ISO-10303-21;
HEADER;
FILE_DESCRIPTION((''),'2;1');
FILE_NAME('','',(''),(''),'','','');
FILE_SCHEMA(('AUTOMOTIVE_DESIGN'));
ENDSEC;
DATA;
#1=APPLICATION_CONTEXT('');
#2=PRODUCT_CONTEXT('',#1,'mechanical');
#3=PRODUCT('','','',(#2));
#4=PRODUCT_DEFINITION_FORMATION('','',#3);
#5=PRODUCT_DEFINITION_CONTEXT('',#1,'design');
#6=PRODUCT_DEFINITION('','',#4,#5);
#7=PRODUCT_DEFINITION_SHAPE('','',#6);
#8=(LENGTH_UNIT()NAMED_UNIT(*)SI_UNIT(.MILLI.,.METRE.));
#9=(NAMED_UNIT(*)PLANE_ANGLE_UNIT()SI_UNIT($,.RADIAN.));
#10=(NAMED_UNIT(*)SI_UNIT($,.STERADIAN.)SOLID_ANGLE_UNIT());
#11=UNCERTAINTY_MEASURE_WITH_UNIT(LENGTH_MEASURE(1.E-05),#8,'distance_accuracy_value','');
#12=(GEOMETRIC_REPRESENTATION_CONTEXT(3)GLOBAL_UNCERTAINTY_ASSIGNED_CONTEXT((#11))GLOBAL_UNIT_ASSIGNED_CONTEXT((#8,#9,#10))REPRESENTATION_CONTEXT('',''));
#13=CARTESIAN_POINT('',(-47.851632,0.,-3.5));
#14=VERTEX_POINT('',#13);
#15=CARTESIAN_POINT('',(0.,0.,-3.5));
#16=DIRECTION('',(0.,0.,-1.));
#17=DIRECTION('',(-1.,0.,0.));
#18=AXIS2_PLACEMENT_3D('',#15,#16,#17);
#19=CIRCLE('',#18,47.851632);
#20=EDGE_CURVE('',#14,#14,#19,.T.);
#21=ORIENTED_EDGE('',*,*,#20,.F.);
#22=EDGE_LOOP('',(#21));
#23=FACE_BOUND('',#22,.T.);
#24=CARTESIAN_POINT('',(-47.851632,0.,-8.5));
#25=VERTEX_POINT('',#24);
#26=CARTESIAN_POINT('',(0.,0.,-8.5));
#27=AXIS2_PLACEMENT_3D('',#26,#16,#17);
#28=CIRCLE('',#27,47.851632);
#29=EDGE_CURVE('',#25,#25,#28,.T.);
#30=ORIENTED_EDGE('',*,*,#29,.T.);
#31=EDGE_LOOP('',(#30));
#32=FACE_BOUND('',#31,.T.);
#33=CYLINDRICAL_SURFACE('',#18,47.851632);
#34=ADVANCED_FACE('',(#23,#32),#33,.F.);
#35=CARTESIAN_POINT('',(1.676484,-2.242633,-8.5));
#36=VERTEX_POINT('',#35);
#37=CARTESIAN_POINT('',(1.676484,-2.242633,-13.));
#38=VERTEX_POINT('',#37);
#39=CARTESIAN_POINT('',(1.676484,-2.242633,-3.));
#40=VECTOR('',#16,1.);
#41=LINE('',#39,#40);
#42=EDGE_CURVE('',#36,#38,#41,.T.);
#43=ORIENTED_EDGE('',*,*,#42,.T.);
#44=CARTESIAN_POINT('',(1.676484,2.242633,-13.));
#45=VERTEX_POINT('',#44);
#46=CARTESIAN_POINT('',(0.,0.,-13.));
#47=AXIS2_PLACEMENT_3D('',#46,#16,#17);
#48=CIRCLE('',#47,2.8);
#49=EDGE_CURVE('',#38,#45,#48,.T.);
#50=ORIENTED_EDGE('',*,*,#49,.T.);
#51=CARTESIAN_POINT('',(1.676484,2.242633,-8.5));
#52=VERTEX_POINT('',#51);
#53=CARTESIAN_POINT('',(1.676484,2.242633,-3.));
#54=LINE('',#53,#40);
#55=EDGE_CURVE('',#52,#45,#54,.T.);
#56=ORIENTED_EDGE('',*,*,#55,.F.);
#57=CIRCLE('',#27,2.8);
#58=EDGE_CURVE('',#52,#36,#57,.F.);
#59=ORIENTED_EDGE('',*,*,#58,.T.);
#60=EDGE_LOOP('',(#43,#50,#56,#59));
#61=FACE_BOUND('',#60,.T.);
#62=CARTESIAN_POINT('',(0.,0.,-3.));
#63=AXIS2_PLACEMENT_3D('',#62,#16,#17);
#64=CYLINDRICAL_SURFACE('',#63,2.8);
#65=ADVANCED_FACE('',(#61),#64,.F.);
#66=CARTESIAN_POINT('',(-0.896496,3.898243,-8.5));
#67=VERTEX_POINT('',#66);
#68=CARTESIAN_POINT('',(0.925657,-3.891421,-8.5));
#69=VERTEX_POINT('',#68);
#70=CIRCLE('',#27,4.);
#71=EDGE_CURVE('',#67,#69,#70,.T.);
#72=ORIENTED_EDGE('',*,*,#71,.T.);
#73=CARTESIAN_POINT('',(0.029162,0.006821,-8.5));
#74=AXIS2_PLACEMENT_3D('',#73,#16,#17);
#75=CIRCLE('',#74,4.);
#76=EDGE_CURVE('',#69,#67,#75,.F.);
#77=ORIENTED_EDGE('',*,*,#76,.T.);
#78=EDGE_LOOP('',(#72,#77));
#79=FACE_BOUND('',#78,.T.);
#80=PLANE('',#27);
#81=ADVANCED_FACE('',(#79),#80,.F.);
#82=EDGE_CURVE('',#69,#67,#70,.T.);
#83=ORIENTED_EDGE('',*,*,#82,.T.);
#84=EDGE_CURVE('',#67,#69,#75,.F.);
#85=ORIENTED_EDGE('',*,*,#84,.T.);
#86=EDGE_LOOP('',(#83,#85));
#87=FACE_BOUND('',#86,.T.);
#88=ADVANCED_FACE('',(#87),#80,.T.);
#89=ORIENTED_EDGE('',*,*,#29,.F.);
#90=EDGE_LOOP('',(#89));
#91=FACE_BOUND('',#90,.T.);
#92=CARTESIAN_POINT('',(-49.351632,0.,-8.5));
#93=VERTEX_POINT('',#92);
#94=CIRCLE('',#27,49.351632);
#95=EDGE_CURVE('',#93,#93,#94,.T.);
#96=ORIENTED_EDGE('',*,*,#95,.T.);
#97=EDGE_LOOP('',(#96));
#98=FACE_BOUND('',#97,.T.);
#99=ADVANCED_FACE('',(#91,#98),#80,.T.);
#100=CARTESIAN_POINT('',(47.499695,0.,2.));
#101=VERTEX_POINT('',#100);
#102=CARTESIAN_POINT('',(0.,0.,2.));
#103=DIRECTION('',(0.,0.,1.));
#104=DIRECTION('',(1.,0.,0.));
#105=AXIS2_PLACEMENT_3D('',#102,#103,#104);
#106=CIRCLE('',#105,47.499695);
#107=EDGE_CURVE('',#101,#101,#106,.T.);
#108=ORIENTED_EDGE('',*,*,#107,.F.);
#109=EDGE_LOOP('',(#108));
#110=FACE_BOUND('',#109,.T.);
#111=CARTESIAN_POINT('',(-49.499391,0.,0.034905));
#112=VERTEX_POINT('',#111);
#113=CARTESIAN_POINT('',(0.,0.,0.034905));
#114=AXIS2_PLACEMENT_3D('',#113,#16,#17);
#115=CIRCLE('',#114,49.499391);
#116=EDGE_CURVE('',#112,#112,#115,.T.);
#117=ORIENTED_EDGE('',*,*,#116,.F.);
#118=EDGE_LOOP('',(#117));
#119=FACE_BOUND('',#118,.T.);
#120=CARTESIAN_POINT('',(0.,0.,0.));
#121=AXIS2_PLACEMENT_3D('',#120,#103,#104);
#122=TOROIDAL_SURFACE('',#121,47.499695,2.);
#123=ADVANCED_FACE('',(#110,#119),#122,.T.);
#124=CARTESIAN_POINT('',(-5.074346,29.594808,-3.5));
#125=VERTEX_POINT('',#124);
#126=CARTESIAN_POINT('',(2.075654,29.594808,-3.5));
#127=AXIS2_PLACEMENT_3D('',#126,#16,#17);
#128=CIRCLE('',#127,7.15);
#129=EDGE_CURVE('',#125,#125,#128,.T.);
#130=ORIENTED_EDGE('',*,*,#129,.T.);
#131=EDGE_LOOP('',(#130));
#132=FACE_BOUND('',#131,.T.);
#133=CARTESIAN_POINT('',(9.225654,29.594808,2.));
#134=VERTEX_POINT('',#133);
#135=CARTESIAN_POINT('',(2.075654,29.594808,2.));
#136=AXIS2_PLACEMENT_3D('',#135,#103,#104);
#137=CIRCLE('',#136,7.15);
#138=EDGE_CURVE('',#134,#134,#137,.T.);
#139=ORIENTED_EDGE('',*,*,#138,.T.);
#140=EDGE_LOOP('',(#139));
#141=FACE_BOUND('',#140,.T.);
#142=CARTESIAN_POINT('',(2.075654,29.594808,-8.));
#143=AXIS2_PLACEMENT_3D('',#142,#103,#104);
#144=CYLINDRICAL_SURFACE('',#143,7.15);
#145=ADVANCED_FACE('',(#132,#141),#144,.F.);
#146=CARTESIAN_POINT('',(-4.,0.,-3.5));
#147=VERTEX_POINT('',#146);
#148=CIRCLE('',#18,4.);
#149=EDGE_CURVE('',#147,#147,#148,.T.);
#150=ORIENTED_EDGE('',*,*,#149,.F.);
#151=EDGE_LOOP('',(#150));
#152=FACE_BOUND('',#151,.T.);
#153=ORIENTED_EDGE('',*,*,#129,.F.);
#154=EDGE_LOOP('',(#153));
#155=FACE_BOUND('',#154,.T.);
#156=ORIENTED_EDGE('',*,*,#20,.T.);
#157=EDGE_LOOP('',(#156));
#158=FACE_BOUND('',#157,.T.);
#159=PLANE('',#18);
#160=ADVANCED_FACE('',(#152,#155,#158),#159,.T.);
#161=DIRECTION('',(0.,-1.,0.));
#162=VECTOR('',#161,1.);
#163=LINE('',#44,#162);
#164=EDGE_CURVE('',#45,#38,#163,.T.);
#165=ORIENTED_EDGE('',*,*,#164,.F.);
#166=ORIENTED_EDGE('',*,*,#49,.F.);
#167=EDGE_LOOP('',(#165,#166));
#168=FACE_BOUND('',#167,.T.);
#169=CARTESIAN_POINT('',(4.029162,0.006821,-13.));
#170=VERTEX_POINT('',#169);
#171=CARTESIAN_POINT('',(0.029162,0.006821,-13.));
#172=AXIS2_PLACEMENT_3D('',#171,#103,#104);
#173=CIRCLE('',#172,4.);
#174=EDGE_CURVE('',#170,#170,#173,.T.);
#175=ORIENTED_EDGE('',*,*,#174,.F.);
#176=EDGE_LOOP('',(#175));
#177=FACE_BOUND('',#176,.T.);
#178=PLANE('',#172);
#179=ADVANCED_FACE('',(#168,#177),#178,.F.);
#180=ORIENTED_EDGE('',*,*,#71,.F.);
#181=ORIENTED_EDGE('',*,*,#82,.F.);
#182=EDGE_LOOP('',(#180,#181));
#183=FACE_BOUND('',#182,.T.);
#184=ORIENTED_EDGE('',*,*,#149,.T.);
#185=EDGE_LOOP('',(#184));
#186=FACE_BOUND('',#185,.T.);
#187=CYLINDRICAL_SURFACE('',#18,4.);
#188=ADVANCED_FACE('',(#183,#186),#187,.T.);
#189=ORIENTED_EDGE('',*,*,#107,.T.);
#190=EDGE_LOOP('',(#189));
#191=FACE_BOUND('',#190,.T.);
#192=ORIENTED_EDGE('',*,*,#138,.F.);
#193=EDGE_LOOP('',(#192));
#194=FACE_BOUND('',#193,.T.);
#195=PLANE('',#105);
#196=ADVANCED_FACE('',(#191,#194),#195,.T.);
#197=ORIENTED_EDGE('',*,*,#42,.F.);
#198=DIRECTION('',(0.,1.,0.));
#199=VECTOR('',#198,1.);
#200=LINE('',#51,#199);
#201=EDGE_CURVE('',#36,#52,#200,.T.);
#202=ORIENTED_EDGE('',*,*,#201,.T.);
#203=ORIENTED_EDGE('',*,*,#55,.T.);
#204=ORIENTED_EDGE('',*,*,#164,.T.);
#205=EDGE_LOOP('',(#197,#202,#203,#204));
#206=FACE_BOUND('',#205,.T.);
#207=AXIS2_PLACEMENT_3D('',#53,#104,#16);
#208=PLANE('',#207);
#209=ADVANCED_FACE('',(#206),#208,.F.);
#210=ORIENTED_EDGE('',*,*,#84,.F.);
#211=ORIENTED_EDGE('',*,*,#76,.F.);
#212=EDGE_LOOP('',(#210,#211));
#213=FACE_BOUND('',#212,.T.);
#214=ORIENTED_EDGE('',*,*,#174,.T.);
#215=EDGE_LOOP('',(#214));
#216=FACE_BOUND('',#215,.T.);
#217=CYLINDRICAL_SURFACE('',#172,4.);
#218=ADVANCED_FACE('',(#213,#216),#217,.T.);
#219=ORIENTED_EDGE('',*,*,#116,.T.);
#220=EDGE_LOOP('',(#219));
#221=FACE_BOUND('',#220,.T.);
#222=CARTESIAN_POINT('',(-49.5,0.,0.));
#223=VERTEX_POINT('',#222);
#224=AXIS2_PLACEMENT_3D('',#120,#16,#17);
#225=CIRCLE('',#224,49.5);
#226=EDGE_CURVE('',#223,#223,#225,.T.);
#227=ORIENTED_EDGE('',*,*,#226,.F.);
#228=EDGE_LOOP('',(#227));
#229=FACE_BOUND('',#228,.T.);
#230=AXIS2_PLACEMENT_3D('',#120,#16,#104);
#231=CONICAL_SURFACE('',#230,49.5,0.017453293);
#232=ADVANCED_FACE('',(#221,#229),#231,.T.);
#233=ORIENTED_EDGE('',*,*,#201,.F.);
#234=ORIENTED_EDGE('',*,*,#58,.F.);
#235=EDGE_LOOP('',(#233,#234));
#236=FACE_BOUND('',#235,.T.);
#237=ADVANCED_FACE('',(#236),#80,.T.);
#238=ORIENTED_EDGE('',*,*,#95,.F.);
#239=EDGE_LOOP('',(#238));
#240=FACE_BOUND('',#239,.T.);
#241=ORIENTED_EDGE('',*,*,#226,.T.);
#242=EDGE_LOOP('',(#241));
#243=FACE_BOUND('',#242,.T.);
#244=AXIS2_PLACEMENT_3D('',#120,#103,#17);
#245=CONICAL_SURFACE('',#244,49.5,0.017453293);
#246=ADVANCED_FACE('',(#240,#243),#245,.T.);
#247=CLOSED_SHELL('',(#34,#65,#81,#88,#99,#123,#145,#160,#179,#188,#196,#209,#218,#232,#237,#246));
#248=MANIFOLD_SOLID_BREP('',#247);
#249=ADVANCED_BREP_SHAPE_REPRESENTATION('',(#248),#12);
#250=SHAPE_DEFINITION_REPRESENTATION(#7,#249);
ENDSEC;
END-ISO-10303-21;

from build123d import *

# Parameters (mm, degrees)
SKETCH1_R           = 49.5
BOSS_EXTRUDE1_DEPTH = 2
BOSS_EXTRUDE1_TAPER = 1
SKETCH2_R           = 4
HOLDER_DEPTH        = 15
HOLDERCUT_DEPTH     = 5
FILLET1_R           = 2
SKETCH6_R           = 7.15
CAMCUT_DEPTH        = 11
CAMCUT_DRAFT        = -1
CUT_EXTRUDE1_DEPTH  = 10
SKETCH8_R           = 49.5
BOSS_EXTRUDE2_DEPTH = 8.5
BOSS_EXTRUDE2_TAPER = 1
SKETCH9_R           = 47.851631948
SKETCH9_R_2         = 4
CUT_EXTRUDE5_DEPTH  = 5
SKETCH10_R          = 7.15
CUT_EXTRUDE6_DEPTH  = 10


with BuildPart() as part:
    # Sketch1 → Boss-Extrude1 (new body)
    with BuildSketch(Plane.XY):
        Circle(SKETCH1_R)
    extrude(amount=BOSS_EXTRUDE1_DEPTH, taper=BOSS_EXTRUDE1_TAPER)

    # Sketch2 → Holder (add)
    with BuildSketch(Plane.XY.offset(2)):
        with Locations((0.029161528, 0.006821447)):
            Circle(SKETCH2_R)
    extrude(amount=-HOLDER_DEPTH)

    # Sketch5 → HolderCut (cut)
    with BuildSketch(Plane(origin=(0, 0, -13), x_dir=(-1, 0, 0), z_dir=(0, 0, -1))):
        with BuildLine():
            Line((-1.576483824, 2.191962306), (-1.576483824, -2.191962306))
            ThreePointArc((-1.576483824, -2.191962306), (2.7, 0), (-1.576483824, 2.191962306))
        make_face()
    extrude(amount=-HOLDERCUT_DEPTH, mode=Mode.SUBTRACT)

    # Fillet1
    fillet1_edges = [part.edges().sort_by_distance(p)[0] for p in [
        (-49.46508987, 0, 2),
    ]]
    fillet(fillet1_edges, radius=FILLET1_R)


with BuildPart() as camcut_tool:
    # Sketch6 → CamCut (with draft: the straight prism first)
    with BuildSketch(Plane.XY.offset(2)):
        with Locations((2.075653978, 29.594808325)):
            Circle(SKETCH6_R)
    extrude(amount=-CAMCUT_DEPTH)
    # CamCut: the draft: its side faces are tilted about the plane it starts from
    camcut_sides = [camcut_tool.faces().sort_by_distance(p)[0] for p in [
        (-5.074346022, 29.594808325, -3.5),
    ]]
    draft(camcut_sides, Plane.XY.offset(2), CAMCUT_DRAFT)


with BuildPart() as part_1:
    add(part.part)

    # CamCut: cut by camcut_tool
    add(camcut_tool.part, mode=Mode.SUBTRACT)

    # Sketch7 → Cut-Extrude1 (cut)
    with BuildSketch(Plane(origin=(0, 0, -13), x_dir=(-1, 0, 0), z_dir=(0, 0, -1))):
        with BuildLine():
            Line((-1.676483824, 2.242632825), (-1.676483824, -2.242632825))
            ThreePointArc((-1.676483824, -2.242632825), (2.8, 0), (-1.676483824, 2.242632825))
        make_face()
    extrude(amount=-CUT_EXTRUDE1_DEPTH, mode=Mode.SUBTRACT)

    # Sketch8 → Boss-Extrude2 (add)
    with BuildSketch(Plane(origin=(0, 0, 0), x_dir=(-1, 0, 0), z_dir=(0, 0, -1))):
        Circle(SKETCH8_R)
    extrude(amount=BOSS_EXTRUDE2_DEPTH, taper=BOSS_EXTRUDE2_TAPER)

    # Sketch9 → Cut-Extrude5 (cut)
    with BuildSketch(Plane(origin=(0, 0, -8.5), x_dir=(-1, 0, 0), z_dir=(0, 0, -1))):
        Circle(SKETCH9_R)
        Circle(SKETCH9_R_2, mode=Mode.SUBTRACT)
    extrude(amount=-CUT_EXTRUDE5_DEPTH, mode=Mode.SUBTRACT)

    # Sketch10 → Cut-Extrude6 (cut)
    with BuildSketch(Plane.XY.offset(2)):
        with Locations((2.075653978, 29.594808325)):
            Circle(SKETCH10_R)
    extrude(amount=-CUT_EXTRUDE6_DEPTH, mode=Mode.SUBTRACT)


solid = part_1.part
